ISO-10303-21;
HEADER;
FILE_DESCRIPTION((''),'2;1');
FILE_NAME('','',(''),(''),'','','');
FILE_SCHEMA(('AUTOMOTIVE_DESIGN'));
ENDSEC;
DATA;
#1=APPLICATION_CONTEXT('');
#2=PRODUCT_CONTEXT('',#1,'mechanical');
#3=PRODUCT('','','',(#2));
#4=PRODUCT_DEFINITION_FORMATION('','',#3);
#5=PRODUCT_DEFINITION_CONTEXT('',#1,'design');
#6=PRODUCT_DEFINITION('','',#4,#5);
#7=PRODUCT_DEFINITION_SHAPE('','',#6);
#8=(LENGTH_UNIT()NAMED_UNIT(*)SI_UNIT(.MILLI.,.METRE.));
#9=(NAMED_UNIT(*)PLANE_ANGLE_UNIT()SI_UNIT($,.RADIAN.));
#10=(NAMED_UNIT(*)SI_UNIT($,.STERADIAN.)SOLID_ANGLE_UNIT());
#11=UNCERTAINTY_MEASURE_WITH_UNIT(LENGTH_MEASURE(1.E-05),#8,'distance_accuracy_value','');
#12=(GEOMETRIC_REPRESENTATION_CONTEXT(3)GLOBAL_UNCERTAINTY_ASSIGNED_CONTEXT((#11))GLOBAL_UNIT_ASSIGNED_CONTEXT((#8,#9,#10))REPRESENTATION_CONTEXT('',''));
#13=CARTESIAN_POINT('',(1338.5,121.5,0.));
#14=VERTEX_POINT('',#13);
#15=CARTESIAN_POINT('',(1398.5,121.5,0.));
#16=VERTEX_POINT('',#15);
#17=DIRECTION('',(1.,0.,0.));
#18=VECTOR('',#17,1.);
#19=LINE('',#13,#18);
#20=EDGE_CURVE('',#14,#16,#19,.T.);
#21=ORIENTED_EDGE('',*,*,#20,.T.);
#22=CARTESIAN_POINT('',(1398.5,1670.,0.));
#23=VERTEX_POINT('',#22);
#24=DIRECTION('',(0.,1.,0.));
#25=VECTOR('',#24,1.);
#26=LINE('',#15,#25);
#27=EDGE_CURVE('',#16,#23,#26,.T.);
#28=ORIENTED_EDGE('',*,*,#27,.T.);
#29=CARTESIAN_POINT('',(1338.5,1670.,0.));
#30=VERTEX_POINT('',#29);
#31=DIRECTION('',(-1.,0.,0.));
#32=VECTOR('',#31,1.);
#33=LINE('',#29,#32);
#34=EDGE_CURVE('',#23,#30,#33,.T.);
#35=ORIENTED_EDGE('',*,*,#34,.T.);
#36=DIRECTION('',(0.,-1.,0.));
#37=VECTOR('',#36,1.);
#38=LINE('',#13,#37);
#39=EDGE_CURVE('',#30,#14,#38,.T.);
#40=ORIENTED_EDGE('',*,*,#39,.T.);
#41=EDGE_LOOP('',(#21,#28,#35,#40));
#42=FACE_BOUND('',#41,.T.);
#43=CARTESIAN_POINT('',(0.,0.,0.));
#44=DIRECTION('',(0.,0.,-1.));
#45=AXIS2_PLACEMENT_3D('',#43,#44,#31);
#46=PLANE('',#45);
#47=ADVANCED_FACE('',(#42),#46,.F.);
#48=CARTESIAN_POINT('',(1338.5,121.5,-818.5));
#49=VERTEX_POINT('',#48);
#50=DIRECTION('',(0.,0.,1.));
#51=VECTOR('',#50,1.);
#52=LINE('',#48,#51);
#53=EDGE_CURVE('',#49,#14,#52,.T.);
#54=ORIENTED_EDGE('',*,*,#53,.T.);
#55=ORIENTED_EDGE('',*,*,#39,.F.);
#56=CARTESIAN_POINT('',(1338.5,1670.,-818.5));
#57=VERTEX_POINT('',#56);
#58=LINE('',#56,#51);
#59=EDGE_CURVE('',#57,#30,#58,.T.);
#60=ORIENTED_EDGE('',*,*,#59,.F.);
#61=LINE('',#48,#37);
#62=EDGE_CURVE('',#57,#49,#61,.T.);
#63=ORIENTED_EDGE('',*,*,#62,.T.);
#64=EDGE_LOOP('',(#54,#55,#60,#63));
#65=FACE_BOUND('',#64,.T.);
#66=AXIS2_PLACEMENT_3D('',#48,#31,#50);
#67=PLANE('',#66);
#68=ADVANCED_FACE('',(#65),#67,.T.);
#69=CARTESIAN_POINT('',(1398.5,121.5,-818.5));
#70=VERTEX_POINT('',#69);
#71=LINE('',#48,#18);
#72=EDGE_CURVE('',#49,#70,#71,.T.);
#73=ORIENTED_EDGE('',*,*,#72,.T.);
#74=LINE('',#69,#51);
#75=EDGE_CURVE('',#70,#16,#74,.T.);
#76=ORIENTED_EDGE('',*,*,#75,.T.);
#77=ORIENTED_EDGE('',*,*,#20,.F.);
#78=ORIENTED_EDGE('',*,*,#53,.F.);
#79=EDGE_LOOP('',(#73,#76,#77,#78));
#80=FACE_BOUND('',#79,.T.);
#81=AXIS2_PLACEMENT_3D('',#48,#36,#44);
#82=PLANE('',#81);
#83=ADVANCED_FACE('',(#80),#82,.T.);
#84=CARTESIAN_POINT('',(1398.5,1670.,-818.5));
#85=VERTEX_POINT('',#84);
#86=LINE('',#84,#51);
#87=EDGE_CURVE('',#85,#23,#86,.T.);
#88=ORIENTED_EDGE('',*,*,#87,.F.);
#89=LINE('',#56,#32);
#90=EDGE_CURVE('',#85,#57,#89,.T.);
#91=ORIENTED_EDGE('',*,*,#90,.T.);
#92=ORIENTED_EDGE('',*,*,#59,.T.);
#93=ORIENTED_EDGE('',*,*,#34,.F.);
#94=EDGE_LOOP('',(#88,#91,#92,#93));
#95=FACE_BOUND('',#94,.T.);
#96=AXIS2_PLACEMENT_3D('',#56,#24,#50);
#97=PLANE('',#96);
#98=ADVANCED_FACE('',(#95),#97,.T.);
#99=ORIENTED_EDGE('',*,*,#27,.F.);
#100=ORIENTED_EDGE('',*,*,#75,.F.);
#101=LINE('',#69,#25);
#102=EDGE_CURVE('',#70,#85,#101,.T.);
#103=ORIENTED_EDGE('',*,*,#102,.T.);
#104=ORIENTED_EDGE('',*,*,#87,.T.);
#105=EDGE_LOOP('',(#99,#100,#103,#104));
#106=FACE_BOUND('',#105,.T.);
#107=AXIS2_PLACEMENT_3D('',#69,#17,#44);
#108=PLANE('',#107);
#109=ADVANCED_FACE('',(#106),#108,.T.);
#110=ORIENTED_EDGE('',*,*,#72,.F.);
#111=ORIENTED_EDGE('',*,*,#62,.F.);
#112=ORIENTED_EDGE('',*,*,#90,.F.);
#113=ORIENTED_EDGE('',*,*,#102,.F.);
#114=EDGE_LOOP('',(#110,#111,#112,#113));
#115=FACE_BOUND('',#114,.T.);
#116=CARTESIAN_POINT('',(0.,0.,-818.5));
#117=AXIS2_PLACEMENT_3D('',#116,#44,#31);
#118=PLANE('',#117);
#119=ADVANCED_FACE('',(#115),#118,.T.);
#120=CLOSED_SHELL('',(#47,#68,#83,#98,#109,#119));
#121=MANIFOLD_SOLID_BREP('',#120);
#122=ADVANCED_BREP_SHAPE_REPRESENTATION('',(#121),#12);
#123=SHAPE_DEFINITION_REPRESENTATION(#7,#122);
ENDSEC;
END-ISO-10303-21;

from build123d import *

# Parameters (mm, degrees)
SKETCH1_W                = 60
SKETCH1_H                = 1548.5
STORE_PU_YAN_SAG_1_DEPTH = 818.5


with BuildPart() as part:
    # Sketch1 → STORE_pu_yan_sag_1 (new body)
    with BuildSketch(Plane.XY):
        with Locations((1368.5, 895.75)):
            Rectangle(SKETCH1_W, SKETCH1_H)
    extrude(amount=-STORE_PU_YAN_SAG_1_DEPTH)


solid = part.part
